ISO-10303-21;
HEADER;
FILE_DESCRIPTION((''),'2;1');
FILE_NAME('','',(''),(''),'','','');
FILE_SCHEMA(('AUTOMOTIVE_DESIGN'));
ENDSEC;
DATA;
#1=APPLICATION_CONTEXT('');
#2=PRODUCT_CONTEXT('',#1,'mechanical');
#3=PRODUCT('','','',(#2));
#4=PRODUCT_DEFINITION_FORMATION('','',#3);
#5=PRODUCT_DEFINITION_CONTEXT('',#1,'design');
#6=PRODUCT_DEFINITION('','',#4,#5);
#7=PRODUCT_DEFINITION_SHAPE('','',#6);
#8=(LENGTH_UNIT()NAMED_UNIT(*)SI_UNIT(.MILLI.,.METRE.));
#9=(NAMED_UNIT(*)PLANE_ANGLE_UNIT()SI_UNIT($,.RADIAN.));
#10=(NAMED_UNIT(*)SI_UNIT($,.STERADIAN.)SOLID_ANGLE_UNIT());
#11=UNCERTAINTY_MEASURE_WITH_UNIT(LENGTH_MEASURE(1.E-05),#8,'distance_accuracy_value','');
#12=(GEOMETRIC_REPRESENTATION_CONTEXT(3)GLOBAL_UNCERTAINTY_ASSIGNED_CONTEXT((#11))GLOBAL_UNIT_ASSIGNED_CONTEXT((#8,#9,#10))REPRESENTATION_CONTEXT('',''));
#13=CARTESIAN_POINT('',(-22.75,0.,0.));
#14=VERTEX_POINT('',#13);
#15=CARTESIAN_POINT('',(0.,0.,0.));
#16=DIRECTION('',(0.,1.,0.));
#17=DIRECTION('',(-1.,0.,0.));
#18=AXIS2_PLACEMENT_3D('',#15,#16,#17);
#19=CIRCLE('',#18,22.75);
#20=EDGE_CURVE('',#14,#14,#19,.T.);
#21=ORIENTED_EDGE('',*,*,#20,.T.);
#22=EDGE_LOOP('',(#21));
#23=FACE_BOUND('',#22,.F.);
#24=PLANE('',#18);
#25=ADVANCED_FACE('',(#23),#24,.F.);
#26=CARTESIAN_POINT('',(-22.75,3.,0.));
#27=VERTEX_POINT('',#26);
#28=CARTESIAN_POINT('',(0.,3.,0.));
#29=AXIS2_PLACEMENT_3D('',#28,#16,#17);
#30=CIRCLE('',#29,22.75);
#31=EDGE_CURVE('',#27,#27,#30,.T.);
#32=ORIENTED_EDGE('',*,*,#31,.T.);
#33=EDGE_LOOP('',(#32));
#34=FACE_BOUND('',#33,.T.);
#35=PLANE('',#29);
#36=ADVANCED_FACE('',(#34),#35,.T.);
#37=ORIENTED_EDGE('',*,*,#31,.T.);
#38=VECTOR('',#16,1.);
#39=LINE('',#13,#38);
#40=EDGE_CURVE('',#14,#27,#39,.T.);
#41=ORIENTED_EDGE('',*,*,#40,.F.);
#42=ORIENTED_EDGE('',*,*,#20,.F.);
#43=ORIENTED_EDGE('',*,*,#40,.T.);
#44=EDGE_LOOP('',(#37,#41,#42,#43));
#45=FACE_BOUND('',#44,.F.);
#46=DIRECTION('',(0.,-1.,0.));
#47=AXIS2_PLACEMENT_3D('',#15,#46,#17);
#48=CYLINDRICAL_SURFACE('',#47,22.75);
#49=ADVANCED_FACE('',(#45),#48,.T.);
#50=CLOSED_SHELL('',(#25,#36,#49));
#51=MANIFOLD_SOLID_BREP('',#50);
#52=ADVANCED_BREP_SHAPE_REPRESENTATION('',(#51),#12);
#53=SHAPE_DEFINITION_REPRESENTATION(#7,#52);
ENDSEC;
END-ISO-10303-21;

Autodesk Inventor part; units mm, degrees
ref_plane "YZ Plane" through (0, 0, 0) normal (1, 0, 0) x (0, 1, 0)
ref_plane "XZ Plane" through (0, 0, 0) normal (0, 1, 0) x (-1, 0, 0)
ref_plane "XY Plane" through (0, 0, 0) normal (0, 0, 1) x (1, 0, 0)
sketch "Sketch1" plane through (0, 0, 0) normal (0, 1, 0) x (-1, 0, 0)
  circle A0 centre (0, 0) radius 22.75
  dimension "d0" = 45.5
extrude "Extrusion1" add sketch "Sketch1" along normal blind 3
properties part number "PrzegrodaNaElektronike"
